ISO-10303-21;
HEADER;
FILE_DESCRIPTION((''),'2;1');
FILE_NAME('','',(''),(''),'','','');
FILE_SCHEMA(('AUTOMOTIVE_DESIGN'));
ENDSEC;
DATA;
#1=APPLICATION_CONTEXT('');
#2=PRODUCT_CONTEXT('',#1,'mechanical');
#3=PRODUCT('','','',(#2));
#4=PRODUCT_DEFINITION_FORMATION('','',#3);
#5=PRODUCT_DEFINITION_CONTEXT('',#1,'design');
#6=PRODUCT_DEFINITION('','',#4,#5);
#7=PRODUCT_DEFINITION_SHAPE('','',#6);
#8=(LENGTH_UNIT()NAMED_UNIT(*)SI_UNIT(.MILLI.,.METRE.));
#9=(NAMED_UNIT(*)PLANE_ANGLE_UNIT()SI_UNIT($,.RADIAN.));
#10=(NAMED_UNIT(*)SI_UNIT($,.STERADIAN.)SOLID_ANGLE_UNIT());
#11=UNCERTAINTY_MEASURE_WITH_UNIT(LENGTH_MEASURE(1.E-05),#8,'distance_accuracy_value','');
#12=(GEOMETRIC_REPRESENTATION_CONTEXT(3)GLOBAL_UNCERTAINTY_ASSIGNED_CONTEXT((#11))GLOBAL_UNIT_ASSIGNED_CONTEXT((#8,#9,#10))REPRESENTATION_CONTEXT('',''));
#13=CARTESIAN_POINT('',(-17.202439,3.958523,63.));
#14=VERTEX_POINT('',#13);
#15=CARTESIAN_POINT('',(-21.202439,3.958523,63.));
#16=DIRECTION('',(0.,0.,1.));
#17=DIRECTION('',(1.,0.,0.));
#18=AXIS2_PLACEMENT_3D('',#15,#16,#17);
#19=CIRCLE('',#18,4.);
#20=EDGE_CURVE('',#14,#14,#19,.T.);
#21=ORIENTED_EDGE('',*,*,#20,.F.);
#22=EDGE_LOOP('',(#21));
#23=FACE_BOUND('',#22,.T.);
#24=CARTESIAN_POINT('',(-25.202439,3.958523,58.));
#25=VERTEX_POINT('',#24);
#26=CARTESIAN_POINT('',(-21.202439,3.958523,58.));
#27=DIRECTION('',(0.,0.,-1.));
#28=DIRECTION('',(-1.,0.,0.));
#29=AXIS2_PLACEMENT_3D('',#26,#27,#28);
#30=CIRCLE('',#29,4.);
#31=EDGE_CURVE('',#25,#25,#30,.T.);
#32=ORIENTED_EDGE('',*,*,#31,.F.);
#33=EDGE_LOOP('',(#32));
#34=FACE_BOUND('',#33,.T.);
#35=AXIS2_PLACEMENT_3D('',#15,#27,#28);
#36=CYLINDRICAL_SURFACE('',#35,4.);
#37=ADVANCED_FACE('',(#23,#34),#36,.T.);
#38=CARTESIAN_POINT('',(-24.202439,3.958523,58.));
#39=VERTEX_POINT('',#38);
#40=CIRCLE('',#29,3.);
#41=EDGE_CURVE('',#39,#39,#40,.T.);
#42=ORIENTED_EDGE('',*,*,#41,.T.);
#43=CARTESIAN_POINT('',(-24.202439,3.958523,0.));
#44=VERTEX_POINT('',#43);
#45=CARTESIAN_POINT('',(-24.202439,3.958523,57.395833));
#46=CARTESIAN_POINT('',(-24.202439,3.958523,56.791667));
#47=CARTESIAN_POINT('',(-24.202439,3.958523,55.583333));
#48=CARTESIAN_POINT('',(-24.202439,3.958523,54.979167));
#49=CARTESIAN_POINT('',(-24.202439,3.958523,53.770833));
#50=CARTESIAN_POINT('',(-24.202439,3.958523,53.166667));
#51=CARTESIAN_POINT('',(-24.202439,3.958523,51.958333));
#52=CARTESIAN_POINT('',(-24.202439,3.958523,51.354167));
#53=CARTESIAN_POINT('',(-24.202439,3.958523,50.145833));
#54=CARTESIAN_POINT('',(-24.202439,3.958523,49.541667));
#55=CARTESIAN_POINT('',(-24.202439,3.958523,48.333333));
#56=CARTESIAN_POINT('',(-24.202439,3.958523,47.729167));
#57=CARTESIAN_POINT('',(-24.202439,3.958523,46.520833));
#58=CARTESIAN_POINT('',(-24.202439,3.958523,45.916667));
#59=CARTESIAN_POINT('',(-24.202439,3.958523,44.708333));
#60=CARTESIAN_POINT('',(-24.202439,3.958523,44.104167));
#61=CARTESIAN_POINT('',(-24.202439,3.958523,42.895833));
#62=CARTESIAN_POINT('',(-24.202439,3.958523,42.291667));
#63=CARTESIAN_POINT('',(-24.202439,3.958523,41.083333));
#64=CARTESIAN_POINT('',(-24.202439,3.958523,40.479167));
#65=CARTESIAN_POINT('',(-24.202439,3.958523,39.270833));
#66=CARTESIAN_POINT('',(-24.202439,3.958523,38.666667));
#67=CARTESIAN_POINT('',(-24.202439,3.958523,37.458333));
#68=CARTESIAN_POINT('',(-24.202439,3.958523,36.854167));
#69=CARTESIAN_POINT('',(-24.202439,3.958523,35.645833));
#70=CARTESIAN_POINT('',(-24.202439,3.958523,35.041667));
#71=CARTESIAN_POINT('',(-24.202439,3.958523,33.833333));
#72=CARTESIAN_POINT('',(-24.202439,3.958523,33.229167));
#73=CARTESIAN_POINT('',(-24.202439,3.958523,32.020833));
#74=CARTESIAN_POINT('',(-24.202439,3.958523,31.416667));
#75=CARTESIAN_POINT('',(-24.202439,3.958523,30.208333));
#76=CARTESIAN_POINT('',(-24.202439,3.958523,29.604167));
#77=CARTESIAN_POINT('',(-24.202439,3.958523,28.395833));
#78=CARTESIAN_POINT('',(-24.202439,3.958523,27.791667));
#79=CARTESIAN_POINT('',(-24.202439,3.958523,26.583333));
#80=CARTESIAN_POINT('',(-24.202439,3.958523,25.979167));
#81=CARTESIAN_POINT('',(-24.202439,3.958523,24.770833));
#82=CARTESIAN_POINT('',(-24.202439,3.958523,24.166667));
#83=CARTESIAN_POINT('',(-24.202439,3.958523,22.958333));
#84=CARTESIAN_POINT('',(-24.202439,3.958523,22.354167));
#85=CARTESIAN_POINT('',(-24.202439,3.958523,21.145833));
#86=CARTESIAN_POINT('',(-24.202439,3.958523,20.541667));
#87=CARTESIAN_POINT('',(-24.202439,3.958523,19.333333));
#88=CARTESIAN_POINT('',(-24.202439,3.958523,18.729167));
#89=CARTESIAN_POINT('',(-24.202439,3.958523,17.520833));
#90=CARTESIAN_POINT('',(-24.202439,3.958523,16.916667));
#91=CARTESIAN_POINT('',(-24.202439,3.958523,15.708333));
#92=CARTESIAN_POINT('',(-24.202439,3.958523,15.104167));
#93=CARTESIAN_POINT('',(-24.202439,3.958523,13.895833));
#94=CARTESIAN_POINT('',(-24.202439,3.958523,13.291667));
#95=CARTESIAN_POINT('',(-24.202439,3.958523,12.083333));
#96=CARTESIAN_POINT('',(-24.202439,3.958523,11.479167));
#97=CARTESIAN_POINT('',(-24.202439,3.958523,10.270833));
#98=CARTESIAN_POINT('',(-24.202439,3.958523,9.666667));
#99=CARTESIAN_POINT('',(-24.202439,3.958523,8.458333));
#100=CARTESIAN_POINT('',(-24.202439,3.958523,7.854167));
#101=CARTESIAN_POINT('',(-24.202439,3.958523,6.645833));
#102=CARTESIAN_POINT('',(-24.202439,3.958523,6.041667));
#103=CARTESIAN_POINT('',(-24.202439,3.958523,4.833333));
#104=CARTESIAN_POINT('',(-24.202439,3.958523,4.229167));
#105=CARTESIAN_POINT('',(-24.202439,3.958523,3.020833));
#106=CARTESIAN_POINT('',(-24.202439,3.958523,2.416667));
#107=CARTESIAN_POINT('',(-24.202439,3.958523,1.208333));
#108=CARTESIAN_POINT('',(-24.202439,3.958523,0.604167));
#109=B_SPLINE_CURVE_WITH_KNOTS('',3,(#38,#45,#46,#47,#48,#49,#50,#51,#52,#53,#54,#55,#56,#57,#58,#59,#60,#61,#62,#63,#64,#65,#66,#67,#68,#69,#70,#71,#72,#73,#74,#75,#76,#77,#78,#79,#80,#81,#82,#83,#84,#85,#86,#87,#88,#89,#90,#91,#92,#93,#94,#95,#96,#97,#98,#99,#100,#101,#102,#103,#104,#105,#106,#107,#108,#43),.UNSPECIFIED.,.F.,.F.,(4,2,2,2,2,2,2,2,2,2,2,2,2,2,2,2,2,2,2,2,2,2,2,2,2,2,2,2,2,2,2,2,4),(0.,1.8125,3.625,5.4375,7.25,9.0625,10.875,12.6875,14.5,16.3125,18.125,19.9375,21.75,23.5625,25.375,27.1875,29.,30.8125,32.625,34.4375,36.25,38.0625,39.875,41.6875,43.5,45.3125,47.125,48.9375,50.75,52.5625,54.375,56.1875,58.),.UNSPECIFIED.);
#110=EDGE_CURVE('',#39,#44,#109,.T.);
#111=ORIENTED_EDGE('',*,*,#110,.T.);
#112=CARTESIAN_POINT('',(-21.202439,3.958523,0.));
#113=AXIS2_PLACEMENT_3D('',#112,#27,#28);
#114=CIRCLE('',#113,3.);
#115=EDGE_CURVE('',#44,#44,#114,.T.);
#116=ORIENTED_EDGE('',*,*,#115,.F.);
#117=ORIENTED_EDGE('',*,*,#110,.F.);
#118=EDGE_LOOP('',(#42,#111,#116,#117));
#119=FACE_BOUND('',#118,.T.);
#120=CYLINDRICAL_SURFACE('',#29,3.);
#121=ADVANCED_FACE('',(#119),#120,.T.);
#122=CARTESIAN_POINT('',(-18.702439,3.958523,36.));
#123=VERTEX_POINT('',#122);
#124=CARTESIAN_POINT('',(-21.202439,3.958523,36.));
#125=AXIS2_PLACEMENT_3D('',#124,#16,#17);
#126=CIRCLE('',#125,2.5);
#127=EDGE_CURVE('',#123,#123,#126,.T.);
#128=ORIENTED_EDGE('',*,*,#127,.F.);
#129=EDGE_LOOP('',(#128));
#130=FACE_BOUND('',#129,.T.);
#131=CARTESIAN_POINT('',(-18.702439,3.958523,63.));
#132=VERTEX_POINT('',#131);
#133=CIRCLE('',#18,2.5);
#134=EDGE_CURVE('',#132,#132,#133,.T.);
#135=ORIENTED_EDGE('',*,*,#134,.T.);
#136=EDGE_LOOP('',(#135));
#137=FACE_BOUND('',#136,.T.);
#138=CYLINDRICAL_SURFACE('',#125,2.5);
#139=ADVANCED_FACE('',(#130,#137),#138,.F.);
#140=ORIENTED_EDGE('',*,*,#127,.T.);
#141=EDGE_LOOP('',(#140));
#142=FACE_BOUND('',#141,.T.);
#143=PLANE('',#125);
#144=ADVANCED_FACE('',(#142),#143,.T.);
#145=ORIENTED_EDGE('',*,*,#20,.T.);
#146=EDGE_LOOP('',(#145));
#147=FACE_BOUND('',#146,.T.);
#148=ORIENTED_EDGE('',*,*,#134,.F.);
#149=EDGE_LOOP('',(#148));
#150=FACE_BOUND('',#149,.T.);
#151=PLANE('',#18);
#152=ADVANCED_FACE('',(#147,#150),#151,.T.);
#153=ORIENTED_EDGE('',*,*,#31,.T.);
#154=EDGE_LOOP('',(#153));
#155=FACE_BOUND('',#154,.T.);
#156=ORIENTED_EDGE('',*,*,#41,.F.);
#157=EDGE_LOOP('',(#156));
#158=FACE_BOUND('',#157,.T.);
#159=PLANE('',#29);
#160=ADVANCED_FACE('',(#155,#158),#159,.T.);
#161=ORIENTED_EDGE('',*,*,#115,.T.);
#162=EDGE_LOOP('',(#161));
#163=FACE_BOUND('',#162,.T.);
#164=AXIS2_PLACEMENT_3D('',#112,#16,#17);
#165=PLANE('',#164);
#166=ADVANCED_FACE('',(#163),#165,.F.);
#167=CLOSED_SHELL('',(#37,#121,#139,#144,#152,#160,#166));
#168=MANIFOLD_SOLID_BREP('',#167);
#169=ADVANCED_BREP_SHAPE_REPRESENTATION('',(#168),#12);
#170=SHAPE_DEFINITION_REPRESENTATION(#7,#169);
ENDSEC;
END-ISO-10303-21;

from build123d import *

# Parameters (mm, degrees)
SKIZZE1_R                       = 4
AUFSATZ_LINEAR_AUSTRAGEN1_DEPTH = 63
SKIZZE2_R                       = 2.5
SCHNITT_LINEAR_AUSTRAGEN1_DEPTH = 27
SKIZZE3_R                       = 12.769442974
SKIZZE3_R_2                     = 3
SCHNITT_LINEAR_AUSTRAGEN2_DEPTH = 58


with BuildPart() as part:
    # Skizze1 → Aufsatz-Linear austragen1 (new body)
    with BuildSketch(Plane.XY):
        with Locations((-21.202438913, 3.95852329)):
            Circle(SKIZZE1_R)
    extrude(amount=AUFSATZ_LINEAR_AUSTRAGEN1_DEPTH)

    # Skizze2 → Schnitt-Linear austragen1 (cut)
    with BuildSketch(Plane.XY.offset(63)):
        with Locations((-21.202438913, 3.95852329)):
            Circle(SKIZZE2_R)
    extrude(amount=-SCHNITT_LINEAR_AUSTRAGEN1_DEPTH, mode=Mode.SUBTRACT)

    # Skizze3 → Schnitt-Linear austragen2 (cut)
    with BuildSketch(Plane(origin=(0, 0, 0), x_dir=(-1, 0, 0), z_dir=(0, 0, -1))):
        with Locations((21.202438913, 3.95852329)):
            Circle(SKIZZE3_R)
        with Locations((21.202438913, 3.95852329)):
            Circle(SKIZZE3_R_2, mode=Mode.SUBTRACT)
    extrude(amount=-SCHNITT_LINEAR_AUSTRAGEN2_DEPTH, mode=Mode.SUBTRACT)


solid = part.part
